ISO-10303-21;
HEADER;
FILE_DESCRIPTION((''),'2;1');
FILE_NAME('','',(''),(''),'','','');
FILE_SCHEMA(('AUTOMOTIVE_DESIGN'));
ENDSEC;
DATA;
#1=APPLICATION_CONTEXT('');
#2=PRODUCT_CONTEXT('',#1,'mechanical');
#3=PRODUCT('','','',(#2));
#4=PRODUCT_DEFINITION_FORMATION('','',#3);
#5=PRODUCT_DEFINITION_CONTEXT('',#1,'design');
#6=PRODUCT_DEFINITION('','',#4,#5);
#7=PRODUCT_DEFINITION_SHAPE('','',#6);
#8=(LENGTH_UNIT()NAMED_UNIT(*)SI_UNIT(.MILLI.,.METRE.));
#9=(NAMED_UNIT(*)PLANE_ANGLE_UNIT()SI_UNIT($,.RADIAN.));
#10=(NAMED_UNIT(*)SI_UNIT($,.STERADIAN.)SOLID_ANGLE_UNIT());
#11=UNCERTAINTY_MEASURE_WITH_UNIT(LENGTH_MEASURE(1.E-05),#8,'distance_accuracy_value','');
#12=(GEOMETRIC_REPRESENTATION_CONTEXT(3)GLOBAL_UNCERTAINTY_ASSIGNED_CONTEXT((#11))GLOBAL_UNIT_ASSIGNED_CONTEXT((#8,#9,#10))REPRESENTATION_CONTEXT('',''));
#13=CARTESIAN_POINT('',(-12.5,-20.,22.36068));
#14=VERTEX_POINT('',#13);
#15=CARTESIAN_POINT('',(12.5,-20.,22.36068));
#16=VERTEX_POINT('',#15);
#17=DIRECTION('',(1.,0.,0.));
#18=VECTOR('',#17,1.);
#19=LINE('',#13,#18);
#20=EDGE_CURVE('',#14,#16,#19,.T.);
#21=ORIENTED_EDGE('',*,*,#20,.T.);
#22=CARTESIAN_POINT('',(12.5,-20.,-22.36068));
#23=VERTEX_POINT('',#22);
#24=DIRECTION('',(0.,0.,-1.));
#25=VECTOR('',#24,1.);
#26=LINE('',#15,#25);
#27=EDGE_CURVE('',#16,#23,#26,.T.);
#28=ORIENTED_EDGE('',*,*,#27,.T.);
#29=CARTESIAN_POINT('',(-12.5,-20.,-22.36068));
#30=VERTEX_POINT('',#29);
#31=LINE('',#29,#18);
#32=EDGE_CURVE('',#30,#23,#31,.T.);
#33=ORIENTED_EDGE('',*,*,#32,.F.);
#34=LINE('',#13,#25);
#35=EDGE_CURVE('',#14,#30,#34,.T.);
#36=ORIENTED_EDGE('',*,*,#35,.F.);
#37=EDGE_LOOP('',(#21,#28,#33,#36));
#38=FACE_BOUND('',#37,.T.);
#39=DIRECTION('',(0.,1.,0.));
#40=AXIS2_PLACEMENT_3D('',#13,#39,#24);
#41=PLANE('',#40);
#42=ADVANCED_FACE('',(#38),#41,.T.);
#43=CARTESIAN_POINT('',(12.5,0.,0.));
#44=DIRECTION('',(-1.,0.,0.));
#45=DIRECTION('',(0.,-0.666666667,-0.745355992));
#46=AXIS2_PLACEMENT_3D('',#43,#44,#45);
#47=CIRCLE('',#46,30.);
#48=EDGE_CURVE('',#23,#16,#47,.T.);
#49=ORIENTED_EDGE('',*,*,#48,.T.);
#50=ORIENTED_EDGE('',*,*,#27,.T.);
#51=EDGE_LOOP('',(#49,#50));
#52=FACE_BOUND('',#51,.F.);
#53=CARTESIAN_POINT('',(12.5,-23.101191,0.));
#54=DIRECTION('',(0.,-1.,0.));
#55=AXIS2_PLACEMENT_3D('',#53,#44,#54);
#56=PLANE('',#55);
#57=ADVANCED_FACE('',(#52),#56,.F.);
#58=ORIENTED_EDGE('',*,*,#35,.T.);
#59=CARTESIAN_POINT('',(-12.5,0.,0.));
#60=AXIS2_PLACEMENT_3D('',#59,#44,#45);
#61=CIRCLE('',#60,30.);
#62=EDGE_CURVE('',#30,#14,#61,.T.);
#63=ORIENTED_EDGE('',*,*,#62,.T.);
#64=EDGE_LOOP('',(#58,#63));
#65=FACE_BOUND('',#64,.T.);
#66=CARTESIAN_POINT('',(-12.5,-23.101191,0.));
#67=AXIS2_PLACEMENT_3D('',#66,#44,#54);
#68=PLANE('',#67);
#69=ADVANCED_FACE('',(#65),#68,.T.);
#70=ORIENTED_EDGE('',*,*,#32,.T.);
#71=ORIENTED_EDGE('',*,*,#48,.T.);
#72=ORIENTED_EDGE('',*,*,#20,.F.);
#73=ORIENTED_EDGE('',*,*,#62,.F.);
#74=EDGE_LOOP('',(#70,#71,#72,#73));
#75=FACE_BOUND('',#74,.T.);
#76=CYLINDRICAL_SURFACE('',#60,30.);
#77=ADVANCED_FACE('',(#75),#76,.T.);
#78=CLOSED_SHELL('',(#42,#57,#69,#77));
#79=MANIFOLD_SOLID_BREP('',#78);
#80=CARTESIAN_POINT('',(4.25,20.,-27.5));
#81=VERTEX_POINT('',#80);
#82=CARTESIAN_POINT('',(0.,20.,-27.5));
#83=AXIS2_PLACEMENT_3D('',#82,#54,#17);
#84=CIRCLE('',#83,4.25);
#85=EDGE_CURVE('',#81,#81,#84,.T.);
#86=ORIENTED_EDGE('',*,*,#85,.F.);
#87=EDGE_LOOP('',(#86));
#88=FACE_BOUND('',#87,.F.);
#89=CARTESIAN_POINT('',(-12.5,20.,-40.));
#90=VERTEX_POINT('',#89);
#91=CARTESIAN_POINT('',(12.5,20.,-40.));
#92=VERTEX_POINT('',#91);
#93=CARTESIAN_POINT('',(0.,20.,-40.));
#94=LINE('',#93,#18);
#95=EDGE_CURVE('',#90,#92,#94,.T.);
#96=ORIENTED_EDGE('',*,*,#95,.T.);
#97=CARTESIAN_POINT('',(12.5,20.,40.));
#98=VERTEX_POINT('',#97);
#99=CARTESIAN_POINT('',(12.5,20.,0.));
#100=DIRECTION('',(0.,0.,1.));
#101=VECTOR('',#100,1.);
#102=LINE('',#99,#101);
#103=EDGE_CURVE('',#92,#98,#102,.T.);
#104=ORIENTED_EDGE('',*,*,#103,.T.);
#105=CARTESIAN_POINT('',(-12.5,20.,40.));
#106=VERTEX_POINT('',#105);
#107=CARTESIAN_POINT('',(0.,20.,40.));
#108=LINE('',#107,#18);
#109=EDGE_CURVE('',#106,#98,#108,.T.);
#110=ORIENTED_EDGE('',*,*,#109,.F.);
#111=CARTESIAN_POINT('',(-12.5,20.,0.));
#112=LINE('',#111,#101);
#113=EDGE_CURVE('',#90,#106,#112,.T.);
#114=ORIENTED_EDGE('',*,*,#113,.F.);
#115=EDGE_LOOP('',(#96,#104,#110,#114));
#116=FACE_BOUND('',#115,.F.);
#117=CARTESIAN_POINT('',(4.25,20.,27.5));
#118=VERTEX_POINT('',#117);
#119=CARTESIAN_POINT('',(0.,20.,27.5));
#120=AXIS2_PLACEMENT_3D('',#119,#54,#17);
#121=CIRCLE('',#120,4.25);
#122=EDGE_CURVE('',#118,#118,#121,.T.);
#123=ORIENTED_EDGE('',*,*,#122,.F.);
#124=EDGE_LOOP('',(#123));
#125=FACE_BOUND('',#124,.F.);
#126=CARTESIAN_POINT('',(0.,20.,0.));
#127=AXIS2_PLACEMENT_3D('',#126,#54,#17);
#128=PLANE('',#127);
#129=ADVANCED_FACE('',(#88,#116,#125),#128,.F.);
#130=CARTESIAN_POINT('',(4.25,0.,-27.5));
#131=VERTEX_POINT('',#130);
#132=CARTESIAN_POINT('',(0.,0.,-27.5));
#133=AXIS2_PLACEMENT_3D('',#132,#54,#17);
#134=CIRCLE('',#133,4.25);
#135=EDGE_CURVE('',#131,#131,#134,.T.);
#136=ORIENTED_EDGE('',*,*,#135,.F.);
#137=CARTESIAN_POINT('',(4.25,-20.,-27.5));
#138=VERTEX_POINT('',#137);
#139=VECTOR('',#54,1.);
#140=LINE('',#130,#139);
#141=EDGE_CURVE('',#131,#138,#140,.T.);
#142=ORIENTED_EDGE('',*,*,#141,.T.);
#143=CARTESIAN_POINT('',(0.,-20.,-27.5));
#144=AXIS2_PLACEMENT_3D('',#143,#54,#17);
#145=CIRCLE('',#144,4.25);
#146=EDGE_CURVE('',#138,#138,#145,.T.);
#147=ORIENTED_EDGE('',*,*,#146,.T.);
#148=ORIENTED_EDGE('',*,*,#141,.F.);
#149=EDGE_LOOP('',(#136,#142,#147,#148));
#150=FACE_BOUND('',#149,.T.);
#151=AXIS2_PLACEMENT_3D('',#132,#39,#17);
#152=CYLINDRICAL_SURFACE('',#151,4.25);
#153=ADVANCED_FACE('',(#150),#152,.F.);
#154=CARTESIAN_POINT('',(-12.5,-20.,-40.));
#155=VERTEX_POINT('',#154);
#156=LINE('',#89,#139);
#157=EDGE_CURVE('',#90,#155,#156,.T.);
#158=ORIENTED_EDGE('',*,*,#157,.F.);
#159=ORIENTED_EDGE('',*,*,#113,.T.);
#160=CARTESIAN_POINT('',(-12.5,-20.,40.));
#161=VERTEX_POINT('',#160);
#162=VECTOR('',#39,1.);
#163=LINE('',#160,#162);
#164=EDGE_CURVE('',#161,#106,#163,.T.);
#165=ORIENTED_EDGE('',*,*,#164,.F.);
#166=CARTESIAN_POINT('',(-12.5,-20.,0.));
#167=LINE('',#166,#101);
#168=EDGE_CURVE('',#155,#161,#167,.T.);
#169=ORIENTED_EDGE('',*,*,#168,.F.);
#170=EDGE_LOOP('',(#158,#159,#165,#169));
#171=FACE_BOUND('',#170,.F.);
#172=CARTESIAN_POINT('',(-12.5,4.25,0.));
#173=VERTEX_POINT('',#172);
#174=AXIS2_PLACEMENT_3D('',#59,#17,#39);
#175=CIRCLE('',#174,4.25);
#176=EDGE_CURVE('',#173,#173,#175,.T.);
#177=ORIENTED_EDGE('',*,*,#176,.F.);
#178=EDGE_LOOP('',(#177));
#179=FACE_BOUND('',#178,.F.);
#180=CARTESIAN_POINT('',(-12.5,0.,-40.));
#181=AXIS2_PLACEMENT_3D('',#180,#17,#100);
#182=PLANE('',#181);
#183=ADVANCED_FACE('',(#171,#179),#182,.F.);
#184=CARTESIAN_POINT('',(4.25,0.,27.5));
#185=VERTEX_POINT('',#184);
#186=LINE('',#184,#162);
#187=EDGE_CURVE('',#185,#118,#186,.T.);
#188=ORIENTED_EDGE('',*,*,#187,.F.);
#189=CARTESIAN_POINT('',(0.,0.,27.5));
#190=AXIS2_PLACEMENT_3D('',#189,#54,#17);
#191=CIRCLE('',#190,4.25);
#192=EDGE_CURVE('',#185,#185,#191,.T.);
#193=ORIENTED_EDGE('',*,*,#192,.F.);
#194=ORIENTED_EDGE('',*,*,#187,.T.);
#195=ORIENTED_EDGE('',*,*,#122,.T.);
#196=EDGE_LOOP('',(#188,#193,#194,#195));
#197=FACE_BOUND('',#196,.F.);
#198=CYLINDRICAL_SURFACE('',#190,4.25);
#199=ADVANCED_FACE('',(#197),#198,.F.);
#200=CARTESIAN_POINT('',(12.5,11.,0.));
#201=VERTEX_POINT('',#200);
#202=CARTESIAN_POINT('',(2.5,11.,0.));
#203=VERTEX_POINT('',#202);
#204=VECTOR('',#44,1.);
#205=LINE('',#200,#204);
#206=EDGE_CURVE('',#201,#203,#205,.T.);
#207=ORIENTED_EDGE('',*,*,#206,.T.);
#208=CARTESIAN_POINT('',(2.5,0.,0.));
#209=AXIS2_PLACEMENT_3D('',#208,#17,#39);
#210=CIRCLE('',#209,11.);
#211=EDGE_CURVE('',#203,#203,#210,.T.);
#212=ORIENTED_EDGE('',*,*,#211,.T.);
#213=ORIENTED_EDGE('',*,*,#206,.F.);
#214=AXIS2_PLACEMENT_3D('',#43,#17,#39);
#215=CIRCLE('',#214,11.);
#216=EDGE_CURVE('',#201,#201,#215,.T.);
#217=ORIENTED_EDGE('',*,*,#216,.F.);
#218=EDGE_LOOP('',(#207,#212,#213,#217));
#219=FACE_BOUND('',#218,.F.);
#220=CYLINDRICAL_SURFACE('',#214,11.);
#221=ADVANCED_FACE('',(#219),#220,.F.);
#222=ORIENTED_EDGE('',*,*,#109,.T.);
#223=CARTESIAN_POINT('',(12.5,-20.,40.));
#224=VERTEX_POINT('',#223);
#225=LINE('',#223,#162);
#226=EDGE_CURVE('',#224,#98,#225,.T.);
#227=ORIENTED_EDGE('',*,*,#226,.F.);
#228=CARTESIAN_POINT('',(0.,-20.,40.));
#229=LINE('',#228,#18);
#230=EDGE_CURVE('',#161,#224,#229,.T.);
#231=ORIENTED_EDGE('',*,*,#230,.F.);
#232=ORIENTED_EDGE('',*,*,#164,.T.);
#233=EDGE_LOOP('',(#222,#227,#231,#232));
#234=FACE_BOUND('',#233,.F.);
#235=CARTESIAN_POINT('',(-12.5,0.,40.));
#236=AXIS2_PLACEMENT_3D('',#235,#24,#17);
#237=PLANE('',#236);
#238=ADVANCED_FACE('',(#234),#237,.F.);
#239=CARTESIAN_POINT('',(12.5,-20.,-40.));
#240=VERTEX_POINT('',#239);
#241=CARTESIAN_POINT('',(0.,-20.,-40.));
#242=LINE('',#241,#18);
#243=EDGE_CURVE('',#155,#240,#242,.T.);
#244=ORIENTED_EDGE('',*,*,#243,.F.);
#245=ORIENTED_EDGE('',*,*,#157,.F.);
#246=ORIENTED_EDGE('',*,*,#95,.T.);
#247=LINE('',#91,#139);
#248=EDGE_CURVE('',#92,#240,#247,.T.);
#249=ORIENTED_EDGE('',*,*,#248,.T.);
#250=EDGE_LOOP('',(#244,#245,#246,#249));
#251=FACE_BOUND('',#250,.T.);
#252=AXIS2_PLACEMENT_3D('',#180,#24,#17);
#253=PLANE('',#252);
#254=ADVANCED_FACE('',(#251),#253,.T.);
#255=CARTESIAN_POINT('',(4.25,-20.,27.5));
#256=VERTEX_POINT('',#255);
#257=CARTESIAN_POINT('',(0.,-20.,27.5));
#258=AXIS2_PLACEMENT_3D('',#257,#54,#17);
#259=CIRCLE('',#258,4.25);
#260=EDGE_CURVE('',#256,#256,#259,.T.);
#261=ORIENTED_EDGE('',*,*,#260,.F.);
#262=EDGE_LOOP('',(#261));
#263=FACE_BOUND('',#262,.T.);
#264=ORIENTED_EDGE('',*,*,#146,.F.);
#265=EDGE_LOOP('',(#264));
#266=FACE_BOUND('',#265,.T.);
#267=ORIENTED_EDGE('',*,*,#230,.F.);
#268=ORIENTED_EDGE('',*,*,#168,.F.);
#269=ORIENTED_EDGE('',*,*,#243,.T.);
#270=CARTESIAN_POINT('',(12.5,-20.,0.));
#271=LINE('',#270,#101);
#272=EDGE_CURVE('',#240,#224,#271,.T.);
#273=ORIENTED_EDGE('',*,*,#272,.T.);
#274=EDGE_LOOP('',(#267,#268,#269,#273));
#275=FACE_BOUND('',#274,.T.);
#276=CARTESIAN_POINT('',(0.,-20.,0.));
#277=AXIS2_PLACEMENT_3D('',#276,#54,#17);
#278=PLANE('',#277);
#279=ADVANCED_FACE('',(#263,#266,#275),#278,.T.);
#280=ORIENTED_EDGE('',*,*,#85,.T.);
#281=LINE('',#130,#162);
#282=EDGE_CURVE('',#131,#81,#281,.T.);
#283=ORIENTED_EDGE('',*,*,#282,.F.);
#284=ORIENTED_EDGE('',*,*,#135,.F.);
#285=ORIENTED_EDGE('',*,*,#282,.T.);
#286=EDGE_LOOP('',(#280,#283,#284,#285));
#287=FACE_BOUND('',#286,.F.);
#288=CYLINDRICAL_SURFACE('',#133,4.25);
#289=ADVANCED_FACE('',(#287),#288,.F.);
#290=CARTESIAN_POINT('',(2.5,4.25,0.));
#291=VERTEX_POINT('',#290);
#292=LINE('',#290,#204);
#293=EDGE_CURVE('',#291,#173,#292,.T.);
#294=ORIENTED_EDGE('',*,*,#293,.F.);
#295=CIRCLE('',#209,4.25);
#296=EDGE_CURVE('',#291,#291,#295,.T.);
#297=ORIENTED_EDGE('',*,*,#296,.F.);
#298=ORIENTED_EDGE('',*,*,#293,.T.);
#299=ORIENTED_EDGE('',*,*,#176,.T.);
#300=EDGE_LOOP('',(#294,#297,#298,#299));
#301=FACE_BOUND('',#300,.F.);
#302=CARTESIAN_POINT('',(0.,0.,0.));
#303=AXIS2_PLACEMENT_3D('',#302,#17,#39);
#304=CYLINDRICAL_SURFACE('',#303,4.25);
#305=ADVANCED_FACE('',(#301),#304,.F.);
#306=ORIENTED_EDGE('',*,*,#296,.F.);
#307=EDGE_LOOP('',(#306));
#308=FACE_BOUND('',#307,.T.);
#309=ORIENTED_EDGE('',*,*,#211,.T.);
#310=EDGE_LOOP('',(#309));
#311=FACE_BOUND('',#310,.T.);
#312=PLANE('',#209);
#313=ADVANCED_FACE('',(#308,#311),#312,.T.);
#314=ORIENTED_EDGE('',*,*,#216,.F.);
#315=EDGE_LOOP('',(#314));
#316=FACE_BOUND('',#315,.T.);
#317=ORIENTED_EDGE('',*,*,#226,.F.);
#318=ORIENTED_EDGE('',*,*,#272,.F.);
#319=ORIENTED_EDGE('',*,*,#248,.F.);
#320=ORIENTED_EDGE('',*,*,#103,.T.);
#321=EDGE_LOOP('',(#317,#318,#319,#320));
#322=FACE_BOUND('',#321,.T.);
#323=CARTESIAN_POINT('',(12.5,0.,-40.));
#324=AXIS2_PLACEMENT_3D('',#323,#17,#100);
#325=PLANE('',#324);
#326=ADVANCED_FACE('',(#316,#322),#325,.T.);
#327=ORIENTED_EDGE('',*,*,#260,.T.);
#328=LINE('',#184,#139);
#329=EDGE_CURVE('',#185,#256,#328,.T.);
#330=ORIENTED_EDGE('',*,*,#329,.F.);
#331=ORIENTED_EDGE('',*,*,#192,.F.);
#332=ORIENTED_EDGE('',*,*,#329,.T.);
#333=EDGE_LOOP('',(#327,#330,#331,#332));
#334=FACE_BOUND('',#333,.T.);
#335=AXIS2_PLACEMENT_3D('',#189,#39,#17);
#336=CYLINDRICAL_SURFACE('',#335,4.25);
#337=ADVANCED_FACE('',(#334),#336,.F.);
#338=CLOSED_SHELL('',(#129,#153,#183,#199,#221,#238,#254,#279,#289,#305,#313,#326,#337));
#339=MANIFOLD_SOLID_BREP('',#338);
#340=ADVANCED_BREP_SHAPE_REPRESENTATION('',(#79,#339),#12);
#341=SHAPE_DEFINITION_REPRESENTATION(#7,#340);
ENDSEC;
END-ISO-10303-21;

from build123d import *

# Parameters (mm, degrees)
F0_W          = 25
F0_H          = 80
F0_R          = 4.25
F1_DEPTH      = 20
F1_DEPTH_BACK = 20
F2_R          = 4.25
F3_DEPTH      = 12.5
F4_R          = 11
F5_DEPTH      = 10
F6_R          = 4.25
F7_DEPTH      = 25
F9_DEPTH      = 25


with BuildPart() as f1:
    # F0 (on Front) → F1 (new body, two sides)
    with BuildSketch(Plane.XZ) as f1_sk:
        Rectangle(F0_W, F0_H)
        with Locations((0, -27.5)):
            Circle(F0_R, mode=Mode.SUBTRACT)
        with Locations((0, 27.5)):
            Circle(F0_R, mode=Mode.SUBTRACT)
    extrude(amount=F1_DEPTH)
    extrude(f1_sk.sketch, amount=-F1_DEPTH_BACK)

    # F2 (on Right) → F3 (cut, through all)
    with BuildSketch(Plane.YZ):
        Circle(F2_R)
    extrude(amount=-F3_DEPTH, mode=Mode.SUBTRACT)

    # F4 (on face) → F5 (cut)
    with BuildSketch(Plane.YZ.offset(12.5)):
        Circle(F4_R)
    extrude(amount=-F5_DEPTH, mode=Mode.SUBTRACT)

    # F6 (on face) → F7 (cut)
    with BuildSketch(Plane.YZ.offset(12.5)):
        Circle(F6_R)
    extrude(amount=-F7_DEPTH, mode=Mode.SUBTRACT)


with BuildPart() as f9:
    # F8 (on face) → F9 (new body)
    with BuildSketch(Plane(origin=(-12.5, 0, 0), x_dir=(0, -1, 0), z_dir=(-1, 0, 0))):
        with BuildLine():
            Line((20, 22.3606797751), (20, -22.3606797749))
            ThreePointArc((20, -22.3606797749), (30, 1e-10), (20, 22.3606797751))
        make_face()
    extrude(amount=-F9_DEPTH)


solid = Compound([f1.part, f9.part])
